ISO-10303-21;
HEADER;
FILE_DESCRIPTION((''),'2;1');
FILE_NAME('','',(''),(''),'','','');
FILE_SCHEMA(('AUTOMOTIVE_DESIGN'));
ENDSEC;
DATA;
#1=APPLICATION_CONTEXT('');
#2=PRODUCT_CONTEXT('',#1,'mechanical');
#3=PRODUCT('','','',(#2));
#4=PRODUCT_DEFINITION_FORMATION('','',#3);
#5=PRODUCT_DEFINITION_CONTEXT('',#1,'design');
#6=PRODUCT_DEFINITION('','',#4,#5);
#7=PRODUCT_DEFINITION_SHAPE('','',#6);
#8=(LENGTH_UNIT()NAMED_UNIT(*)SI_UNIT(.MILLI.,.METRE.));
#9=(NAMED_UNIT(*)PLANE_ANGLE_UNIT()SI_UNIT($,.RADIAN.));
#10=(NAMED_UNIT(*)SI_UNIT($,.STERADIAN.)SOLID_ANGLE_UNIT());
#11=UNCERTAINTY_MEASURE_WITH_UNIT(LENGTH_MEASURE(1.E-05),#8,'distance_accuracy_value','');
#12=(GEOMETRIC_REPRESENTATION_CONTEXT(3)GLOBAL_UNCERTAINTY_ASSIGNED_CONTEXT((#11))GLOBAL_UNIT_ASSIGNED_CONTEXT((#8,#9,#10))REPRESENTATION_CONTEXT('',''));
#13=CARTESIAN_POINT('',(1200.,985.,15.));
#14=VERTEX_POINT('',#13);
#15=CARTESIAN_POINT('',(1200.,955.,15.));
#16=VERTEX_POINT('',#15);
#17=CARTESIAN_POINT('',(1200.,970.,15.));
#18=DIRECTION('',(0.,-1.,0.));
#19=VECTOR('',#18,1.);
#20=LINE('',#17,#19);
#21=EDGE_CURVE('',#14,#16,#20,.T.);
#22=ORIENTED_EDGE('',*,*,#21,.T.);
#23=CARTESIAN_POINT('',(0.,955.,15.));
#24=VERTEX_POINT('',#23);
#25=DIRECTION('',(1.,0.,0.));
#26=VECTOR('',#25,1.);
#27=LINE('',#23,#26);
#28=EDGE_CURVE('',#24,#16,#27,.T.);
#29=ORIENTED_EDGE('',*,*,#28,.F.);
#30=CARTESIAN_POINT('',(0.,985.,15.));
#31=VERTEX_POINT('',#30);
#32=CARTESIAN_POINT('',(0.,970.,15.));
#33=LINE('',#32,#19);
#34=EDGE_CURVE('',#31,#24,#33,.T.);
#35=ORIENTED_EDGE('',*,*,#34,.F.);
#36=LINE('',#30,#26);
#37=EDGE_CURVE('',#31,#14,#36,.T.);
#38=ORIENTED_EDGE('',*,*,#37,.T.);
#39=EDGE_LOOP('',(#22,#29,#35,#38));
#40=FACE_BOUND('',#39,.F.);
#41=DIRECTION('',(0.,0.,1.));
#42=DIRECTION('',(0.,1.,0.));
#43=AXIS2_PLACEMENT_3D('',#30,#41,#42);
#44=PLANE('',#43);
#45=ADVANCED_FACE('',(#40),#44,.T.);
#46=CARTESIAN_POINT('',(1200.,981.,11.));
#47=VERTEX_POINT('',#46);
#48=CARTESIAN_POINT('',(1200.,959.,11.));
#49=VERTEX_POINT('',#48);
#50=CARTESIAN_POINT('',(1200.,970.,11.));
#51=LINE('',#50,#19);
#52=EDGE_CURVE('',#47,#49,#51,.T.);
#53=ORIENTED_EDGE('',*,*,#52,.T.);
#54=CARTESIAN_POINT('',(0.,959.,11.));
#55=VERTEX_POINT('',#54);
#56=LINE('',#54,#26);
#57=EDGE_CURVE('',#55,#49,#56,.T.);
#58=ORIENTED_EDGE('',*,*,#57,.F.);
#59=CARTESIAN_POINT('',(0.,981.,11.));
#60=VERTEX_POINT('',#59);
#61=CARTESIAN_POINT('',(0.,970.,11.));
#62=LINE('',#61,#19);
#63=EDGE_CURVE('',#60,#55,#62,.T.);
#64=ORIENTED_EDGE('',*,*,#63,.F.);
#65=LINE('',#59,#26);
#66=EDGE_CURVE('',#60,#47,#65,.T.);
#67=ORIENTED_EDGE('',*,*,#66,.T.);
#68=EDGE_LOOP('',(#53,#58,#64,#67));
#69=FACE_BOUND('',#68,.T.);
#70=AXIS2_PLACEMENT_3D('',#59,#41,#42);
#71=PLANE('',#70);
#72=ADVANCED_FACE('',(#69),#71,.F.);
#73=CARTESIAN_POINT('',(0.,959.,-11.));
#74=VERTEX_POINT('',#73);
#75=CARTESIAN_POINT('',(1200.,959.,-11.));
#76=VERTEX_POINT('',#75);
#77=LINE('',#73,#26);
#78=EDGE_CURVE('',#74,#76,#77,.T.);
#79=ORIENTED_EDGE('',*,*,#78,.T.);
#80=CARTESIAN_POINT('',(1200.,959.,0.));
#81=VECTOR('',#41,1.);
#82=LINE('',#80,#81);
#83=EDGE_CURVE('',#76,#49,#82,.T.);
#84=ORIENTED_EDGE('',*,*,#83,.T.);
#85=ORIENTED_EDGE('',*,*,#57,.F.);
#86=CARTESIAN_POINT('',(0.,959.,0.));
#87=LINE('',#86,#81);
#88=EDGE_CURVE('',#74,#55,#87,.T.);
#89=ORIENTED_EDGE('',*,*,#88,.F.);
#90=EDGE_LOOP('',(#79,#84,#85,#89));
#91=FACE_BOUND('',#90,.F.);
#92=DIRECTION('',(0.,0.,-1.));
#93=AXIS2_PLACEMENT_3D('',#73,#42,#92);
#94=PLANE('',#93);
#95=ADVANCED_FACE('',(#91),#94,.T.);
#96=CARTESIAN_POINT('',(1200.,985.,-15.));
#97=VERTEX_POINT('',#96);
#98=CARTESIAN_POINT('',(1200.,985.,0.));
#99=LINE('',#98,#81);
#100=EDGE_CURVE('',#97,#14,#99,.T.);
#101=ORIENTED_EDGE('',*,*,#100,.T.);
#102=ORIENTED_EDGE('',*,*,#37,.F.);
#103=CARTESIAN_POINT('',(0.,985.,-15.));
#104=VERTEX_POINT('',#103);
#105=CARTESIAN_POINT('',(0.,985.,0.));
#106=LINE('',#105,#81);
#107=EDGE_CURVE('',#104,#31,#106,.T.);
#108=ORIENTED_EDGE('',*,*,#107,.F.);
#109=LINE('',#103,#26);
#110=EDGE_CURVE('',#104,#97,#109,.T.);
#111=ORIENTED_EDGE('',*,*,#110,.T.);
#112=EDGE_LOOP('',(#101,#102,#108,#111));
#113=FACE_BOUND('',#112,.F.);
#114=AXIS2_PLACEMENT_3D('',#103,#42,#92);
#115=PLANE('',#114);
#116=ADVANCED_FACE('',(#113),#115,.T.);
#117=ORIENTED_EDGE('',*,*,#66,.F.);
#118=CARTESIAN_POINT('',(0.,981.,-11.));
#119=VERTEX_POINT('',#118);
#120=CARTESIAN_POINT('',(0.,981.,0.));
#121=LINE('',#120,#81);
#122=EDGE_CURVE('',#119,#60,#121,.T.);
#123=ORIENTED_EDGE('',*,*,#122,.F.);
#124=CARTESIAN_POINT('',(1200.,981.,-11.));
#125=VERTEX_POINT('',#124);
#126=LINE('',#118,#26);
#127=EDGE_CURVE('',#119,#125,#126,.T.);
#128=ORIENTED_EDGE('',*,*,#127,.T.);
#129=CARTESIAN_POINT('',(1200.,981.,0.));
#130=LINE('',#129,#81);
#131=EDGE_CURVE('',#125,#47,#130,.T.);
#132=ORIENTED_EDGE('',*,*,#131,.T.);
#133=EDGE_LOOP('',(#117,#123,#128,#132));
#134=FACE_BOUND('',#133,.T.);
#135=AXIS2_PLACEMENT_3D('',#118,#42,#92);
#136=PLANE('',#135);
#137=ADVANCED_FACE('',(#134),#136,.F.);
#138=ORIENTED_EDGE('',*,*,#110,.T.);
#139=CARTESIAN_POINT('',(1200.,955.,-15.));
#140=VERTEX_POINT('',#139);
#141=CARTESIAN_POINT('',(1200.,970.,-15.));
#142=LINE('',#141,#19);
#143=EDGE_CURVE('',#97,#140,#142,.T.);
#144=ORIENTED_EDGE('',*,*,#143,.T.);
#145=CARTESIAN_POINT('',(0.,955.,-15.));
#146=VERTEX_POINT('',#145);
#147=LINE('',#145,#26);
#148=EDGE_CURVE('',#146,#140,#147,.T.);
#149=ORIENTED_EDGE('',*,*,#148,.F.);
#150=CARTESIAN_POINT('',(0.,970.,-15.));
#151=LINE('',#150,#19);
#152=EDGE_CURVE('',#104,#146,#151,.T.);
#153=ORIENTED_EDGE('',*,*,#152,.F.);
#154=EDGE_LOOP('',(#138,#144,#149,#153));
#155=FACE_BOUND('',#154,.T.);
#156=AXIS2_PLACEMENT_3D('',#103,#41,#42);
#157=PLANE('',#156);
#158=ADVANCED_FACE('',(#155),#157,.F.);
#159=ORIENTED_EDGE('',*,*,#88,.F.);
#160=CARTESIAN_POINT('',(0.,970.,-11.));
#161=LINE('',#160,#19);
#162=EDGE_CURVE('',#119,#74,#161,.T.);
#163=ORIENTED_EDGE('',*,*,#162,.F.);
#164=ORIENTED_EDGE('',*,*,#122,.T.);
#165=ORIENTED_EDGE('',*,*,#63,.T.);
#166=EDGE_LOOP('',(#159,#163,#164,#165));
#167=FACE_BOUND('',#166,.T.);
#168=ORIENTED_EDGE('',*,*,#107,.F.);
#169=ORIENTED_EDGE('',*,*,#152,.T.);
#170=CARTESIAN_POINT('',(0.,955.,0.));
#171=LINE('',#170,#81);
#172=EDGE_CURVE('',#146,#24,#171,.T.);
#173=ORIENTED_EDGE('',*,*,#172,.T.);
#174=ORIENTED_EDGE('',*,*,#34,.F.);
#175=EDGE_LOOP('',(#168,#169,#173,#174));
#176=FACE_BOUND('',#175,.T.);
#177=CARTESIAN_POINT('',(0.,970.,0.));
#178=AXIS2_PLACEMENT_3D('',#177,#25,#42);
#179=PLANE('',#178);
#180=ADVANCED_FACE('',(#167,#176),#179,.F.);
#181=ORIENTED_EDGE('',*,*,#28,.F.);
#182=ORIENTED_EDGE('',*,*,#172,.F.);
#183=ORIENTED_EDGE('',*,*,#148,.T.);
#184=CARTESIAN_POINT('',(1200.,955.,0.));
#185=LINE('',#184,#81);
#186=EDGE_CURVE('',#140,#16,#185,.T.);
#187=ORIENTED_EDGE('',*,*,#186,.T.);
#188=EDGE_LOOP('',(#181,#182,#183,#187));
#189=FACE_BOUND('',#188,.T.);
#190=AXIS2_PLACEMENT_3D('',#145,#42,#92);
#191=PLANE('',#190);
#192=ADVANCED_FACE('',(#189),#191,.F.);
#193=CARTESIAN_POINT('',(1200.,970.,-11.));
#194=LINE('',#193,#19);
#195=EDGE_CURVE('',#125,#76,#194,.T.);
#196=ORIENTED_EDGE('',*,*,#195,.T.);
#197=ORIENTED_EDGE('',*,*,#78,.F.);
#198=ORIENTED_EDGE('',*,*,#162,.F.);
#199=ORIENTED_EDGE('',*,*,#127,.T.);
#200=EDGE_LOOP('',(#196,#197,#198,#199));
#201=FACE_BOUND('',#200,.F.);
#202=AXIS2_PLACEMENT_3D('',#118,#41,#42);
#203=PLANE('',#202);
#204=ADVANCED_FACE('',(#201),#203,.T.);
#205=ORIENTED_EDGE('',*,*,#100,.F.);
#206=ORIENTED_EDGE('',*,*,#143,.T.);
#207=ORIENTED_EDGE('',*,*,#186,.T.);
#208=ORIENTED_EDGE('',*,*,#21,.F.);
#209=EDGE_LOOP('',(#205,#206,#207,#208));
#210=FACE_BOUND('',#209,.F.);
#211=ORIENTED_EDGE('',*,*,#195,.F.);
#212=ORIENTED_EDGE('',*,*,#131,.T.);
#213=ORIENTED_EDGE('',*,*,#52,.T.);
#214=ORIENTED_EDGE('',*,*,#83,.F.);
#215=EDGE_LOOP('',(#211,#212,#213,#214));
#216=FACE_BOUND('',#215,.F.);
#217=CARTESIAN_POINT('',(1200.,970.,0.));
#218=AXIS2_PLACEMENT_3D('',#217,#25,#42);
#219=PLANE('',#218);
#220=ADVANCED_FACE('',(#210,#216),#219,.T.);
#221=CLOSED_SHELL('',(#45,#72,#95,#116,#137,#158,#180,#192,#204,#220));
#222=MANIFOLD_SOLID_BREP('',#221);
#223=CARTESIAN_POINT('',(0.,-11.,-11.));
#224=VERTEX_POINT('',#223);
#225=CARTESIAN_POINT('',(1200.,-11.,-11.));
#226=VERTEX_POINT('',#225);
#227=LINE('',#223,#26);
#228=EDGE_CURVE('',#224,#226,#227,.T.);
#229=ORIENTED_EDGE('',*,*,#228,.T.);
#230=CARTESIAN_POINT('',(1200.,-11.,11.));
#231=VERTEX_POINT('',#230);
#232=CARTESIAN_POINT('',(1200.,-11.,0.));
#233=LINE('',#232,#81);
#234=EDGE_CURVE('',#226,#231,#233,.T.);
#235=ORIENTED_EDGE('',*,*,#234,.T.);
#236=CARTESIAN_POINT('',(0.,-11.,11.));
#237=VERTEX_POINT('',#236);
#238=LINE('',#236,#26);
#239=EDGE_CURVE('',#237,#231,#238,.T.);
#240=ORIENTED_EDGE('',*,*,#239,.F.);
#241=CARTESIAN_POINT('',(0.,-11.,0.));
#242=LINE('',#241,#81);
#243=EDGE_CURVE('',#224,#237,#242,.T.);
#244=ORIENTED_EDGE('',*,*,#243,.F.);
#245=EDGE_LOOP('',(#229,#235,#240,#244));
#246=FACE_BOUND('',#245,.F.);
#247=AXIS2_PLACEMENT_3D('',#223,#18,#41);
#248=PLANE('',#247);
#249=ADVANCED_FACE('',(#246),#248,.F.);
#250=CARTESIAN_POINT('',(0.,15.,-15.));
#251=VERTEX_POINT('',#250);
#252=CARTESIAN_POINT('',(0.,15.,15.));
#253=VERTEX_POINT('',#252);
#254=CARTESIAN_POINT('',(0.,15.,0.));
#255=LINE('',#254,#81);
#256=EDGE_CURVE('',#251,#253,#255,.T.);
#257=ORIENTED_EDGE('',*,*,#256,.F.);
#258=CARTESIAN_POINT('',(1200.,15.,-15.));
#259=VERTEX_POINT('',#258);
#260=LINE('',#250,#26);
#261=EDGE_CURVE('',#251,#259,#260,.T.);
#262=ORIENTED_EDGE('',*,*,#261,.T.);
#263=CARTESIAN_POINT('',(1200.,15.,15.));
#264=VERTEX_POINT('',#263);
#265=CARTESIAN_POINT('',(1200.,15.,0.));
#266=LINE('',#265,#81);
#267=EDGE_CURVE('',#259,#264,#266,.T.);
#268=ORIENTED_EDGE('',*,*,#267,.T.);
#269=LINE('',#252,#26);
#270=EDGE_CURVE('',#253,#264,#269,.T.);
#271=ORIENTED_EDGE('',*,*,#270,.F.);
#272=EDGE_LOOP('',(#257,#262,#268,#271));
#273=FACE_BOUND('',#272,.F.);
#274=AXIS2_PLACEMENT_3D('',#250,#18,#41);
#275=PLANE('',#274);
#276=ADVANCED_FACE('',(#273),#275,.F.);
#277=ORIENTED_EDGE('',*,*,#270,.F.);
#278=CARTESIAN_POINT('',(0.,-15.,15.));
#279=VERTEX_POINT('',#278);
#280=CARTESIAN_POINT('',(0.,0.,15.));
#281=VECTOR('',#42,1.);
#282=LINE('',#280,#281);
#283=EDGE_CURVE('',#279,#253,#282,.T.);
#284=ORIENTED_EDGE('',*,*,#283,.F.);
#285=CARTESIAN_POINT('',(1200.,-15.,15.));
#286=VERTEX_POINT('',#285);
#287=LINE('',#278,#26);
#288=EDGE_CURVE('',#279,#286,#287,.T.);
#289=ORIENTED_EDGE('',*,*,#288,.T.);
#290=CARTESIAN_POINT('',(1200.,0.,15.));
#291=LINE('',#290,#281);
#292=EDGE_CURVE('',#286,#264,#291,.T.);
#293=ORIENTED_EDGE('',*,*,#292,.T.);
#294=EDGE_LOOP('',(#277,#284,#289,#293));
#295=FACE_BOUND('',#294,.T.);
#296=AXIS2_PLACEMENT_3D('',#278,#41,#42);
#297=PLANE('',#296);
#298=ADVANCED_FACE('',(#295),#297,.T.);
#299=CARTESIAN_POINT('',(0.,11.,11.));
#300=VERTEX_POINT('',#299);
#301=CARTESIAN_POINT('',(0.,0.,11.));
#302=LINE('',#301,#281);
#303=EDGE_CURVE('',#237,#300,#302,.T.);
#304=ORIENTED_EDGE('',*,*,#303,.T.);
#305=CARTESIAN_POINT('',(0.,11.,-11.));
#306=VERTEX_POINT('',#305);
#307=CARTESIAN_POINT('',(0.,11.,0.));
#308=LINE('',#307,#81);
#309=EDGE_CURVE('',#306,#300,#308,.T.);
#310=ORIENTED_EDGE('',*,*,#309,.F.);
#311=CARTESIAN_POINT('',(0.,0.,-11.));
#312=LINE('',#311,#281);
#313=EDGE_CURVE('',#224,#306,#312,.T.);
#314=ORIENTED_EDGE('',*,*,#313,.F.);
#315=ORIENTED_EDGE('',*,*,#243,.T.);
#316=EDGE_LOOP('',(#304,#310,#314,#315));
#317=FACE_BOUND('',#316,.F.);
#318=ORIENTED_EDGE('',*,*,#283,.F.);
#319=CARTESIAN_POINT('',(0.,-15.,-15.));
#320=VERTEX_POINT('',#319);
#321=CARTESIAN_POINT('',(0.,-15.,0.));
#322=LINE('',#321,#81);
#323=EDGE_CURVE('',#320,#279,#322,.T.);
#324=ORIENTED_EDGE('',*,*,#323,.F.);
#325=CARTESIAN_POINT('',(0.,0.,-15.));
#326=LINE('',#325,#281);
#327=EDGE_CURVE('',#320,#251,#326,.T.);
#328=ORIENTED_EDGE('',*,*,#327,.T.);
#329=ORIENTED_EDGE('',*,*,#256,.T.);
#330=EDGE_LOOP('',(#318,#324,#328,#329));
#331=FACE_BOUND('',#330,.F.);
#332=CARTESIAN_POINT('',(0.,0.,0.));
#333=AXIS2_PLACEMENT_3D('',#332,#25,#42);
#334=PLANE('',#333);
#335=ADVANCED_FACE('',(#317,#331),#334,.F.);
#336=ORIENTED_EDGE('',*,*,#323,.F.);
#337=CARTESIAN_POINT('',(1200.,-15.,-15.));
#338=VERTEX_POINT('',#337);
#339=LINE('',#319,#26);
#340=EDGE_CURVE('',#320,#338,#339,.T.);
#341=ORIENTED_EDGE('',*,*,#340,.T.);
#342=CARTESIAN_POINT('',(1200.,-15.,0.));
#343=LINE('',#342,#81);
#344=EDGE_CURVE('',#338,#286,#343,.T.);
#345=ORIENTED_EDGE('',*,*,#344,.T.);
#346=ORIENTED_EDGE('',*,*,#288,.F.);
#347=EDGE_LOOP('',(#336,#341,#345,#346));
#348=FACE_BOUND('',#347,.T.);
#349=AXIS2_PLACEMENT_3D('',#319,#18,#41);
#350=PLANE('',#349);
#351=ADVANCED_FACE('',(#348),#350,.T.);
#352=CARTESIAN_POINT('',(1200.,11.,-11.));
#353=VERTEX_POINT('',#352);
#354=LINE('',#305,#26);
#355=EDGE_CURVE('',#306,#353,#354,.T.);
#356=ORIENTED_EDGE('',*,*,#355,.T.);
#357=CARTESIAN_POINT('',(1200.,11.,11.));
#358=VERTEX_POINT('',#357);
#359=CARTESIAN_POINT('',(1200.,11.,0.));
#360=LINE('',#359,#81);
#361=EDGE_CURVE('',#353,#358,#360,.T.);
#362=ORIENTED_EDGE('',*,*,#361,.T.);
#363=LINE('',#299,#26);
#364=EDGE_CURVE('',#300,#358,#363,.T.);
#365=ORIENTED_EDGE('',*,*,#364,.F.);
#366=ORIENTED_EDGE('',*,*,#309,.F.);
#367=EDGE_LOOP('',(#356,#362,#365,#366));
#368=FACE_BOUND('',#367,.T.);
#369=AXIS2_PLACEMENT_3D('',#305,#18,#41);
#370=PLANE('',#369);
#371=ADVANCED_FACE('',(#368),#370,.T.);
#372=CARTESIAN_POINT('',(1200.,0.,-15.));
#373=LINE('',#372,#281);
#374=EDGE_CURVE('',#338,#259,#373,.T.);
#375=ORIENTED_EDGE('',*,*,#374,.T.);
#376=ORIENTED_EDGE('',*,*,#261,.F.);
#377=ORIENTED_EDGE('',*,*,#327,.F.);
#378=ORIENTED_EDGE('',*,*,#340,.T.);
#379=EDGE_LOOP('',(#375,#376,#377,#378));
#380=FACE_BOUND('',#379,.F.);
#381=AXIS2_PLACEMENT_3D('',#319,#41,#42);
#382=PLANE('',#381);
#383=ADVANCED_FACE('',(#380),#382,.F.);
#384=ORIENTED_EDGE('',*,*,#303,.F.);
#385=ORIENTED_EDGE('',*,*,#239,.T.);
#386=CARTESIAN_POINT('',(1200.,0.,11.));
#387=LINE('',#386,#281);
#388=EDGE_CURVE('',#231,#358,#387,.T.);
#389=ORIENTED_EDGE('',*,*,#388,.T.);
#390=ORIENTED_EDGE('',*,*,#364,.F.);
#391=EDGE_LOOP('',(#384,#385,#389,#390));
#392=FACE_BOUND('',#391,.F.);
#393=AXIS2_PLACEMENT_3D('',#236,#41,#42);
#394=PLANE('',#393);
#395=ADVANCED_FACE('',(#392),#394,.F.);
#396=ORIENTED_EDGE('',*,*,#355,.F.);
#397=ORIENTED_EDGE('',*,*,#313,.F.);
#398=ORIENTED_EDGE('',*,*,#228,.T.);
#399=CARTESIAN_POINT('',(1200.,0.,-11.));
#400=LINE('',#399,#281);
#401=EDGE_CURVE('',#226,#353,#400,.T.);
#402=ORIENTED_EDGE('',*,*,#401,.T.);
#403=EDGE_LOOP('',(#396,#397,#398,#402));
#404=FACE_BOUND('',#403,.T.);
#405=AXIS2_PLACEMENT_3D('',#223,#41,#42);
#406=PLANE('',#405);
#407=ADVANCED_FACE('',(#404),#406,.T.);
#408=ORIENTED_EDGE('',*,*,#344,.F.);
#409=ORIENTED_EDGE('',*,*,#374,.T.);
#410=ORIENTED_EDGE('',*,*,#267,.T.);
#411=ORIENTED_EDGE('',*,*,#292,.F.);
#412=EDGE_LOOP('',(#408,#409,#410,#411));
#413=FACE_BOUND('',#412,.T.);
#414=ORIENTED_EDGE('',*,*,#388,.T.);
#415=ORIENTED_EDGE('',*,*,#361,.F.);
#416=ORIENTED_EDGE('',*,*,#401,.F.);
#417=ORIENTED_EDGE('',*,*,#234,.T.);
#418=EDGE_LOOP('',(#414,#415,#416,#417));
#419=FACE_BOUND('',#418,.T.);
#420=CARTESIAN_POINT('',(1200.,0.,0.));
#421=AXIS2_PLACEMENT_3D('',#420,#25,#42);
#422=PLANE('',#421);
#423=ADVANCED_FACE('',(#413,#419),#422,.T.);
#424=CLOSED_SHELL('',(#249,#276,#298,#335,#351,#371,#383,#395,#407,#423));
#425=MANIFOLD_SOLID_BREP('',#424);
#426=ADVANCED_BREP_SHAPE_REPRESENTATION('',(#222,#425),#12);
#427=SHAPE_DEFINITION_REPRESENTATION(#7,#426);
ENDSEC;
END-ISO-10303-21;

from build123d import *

# Parameters (mm, degrees)
F0_W     = 30
F0_H     = 30
F0_W_2   = 22
F0_H_2   = 22
F1_DEPTH = 1200


with BuildPart() as f1:
    # F0 (on Right) → F1 (new body)
    with BuildSketch(Plane.YZ):
        Rectangle(F0_W, F0_H)
        Rectangle(F0_W_2, F0_H_2, mode=Mode.SUBTRACT)
    extrude(amount=F1_DEPTH)


with BuildPart() as f3_1:
    # F3: instance of F1
    add(f1.part.mirror(Plane(origin=(600, 485, 0), x_dir=(-1, 0, 0), z_dir=(0, 1, 0))))


solid = Compound([f1.part, f3_1.part])
